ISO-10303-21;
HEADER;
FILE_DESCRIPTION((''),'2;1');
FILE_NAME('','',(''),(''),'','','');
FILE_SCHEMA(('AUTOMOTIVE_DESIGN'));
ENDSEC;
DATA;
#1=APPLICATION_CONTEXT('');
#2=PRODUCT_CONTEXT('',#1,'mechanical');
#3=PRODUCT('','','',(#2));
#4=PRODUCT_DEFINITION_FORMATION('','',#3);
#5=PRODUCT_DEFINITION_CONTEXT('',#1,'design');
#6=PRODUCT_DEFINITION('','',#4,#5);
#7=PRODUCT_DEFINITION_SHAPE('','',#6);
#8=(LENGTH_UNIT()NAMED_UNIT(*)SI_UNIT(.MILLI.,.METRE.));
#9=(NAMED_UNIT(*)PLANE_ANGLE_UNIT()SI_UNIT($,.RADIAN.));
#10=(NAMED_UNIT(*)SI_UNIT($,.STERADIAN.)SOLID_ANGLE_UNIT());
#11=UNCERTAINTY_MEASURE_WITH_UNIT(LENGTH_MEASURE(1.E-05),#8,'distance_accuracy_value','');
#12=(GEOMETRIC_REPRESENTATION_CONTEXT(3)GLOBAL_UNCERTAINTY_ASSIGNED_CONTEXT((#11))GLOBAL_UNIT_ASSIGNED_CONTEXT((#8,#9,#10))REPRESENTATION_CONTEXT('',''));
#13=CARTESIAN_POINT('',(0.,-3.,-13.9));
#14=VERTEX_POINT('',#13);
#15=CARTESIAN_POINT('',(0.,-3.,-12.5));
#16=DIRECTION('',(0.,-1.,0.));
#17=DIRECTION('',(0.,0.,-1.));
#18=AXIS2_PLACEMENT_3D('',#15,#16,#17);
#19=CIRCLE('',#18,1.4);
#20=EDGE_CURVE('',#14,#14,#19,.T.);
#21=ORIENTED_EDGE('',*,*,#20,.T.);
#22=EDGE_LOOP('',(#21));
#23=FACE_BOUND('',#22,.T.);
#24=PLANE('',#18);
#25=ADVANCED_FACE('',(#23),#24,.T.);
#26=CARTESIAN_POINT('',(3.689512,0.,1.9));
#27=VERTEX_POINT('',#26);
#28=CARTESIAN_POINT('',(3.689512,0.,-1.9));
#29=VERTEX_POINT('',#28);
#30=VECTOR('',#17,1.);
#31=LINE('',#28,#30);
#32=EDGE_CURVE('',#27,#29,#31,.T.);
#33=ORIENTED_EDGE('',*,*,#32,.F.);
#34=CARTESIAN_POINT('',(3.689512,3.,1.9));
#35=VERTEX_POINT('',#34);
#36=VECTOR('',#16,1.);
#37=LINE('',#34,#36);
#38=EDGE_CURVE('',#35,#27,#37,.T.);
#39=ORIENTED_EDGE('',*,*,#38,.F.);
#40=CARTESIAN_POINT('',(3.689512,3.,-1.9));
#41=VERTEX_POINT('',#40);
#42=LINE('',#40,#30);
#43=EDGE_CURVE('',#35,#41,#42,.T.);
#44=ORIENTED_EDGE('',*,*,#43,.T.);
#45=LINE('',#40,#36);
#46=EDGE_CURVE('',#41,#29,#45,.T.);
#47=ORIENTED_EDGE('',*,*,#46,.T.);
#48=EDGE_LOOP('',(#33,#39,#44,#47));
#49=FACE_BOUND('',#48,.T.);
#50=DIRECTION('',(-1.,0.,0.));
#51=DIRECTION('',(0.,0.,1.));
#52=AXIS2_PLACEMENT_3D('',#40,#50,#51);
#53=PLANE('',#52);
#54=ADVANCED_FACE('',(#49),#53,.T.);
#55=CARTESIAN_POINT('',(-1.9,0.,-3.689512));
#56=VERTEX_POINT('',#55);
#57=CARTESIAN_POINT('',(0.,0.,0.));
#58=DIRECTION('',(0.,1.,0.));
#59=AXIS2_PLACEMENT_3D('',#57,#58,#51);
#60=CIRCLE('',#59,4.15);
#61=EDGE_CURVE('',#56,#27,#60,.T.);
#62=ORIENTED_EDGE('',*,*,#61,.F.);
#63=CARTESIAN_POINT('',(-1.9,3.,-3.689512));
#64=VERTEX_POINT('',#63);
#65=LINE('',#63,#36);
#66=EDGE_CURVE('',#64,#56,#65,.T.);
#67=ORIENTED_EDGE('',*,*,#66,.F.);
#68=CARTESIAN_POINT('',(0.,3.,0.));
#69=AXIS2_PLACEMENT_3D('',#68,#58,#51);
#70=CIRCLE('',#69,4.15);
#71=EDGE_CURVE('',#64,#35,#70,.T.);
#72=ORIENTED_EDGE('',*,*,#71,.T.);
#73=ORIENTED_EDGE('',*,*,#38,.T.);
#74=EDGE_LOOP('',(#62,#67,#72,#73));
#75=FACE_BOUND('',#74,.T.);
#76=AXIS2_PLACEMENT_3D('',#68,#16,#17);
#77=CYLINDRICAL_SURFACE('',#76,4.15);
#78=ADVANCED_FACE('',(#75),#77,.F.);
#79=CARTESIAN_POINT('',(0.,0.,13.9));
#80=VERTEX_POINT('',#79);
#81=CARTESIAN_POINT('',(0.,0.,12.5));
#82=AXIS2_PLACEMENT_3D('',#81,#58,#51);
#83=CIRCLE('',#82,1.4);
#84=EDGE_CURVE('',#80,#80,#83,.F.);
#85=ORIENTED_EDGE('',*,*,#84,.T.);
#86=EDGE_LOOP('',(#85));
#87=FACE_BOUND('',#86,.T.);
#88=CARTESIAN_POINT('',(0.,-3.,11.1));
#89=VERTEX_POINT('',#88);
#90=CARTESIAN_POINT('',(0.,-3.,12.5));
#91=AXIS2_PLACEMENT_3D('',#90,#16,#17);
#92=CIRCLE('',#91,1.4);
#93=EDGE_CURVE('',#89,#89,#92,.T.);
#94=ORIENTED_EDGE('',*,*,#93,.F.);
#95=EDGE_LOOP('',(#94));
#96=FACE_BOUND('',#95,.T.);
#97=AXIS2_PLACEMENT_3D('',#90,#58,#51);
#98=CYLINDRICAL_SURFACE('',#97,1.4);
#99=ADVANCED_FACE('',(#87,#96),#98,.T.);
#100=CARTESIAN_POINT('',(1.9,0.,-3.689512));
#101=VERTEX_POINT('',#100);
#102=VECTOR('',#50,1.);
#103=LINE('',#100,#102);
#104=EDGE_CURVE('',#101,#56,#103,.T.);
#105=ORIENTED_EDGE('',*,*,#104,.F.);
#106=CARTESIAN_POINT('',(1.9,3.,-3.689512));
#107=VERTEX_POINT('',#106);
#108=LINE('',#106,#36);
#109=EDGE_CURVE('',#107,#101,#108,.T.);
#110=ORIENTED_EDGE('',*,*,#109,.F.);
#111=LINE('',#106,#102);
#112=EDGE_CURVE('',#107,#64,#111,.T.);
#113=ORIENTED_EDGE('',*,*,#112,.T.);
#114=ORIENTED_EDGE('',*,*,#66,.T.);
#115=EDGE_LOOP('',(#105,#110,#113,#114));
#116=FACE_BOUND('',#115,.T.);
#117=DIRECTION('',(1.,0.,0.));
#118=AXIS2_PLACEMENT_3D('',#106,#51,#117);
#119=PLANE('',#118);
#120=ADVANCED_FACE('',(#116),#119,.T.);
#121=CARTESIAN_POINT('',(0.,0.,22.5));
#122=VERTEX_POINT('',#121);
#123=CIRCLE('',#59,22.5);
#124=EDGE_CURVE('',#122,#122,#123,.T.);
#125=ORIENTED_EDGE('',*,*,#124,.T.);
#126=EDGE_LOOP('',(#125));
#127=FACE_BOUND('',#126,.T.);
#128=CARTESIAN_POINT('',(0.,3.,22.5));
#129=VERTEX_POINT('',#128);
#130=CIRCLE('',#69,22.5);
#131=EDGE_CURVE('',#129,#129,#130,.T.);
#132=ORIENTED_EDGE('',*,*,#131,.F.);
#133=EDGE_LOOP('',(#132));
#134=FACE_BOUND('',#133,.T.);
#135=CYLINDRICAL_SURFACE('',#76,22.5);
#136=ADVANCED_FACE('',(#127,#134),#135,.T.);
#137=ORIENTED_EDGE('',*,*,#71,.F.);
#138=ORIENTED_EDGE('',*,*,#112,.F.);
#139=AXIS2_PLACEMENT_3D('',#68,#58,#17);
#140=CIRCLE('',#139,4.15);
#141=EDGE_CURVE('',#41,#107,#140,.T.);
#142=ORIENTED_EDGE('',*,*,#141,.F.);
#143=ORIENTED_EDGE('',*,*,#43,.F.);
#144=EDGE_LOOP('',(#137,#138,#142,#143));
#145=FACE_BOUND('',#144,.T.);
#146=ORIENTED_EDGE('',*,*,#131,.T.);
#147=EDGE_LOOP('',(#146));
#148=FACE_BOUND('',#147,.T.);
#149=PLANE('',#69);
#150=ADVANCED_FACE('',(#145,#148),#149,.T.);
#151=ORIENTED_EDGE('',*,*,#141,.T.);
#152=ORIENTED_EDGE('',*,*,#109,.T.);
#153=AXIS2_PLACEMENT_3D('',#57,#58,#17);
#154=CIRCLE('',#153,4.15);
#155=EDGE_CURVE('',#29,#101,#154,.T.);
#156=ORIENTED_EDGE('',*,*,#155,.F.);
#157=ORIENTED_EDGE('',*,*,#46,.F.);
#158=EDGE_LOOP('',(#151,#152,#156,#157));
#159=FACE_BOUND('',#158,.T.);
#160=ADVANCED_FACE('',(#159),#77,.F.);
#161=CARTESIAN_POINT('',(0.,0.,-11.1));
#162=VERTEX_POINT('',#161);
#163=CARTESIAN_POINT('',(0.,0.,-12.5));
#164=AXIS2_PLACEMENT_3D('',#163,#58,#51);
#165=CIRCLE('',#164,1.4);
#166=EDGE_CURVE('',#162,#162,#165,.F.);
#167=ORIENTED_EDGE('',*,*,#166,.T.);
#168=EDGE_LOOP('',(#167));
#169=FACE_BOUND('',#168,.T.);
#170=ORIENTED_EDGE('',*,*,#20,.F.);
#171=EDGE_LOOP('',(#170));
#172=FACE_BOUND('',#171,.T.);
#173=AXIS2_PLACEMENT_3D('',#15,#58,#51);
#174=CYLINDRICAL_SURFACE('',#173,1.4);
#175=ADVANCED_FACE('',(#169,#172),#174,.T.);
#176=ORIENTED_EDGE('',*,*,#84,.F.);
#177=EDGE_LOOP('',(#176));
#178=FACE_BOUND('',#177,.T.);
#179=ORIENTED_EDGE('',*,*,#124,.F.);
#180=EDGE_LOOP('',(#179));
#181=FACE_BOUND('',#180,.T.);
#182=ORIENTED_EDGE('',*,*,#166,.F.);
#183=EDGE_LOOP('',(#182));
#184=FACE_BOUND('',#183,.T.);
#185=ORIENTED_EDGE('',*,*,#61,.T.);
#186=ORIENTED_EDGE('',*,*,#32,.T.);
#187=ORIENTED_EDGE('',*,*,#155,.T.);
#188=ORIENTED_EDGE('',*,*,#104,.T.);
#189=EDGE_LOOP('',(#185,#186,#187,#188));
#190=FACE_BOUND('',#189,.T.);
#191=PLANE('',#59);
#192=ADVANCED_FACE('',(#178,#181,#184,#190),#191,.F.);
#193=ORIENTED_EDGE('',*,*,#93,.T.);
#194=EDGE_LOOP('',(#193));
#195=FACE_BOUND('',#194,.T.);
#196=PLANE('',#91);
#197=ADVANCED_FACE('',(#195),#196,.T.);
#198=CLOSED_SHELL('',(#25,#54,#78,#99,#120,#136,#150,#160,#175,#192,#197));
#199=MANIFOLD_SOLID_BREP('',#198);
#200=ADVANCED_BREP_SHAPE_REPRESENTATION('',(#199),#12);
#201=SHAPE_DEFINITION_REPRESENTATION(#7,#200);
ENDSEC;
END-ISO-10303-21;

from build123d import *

# Parameters (mm, degrees)
SKETCH_1_R      = 22.5
EXTRUDE_1_DEPTH = 3
SKETCH_2_R      = 1.4
EXTRUDE_2_DEPTH = 3


with BuildPart() as part:
    # Эскиз1 → Вытянуть1 (new body)
    with BuildSketch(Plane(origin=(0, 0, 0), x_dir=(1, 0, 0), z_dir=(0, 1, 0))):
        with Locations(Location((0, 0, 0), (0, 0, 270))):
            Circle(SKETCH_1_R)
        with BuildLine():
            Line((1.9, 3.689512163), (-1.9, 3.689512163))
            ThreePointArc((-1.9, 3.689512163), (-2.934493142, -2.934493142), (3.689512163, -1.9))
            Line((3.689512163, -1.9), (3.689512163, 1.9))
            ThreePointArc((3.689512163, 1.9), (2.934493142, 2.934493142), (1.9, 3.689512163))
        make_face(mode=Mode.SUBTRACT)
    extrude(amount=EXTRUDE_1_DEPTH)

    # Эскиз2 → Вытянуть2 (add)
    with BuildSketch(Plane.XZ):
        with Locations(Location((0, 12.5, 0), (0, 0, 90))):
            Circle(SKETCH_2_R)
        with Locations(Location((0, -12.5, 0), (0, 0, 90))):
            Circle(SKETCH_2_R)
    extrude(amount=EXTRUDE_2_DEPTH)


solid = part.part
